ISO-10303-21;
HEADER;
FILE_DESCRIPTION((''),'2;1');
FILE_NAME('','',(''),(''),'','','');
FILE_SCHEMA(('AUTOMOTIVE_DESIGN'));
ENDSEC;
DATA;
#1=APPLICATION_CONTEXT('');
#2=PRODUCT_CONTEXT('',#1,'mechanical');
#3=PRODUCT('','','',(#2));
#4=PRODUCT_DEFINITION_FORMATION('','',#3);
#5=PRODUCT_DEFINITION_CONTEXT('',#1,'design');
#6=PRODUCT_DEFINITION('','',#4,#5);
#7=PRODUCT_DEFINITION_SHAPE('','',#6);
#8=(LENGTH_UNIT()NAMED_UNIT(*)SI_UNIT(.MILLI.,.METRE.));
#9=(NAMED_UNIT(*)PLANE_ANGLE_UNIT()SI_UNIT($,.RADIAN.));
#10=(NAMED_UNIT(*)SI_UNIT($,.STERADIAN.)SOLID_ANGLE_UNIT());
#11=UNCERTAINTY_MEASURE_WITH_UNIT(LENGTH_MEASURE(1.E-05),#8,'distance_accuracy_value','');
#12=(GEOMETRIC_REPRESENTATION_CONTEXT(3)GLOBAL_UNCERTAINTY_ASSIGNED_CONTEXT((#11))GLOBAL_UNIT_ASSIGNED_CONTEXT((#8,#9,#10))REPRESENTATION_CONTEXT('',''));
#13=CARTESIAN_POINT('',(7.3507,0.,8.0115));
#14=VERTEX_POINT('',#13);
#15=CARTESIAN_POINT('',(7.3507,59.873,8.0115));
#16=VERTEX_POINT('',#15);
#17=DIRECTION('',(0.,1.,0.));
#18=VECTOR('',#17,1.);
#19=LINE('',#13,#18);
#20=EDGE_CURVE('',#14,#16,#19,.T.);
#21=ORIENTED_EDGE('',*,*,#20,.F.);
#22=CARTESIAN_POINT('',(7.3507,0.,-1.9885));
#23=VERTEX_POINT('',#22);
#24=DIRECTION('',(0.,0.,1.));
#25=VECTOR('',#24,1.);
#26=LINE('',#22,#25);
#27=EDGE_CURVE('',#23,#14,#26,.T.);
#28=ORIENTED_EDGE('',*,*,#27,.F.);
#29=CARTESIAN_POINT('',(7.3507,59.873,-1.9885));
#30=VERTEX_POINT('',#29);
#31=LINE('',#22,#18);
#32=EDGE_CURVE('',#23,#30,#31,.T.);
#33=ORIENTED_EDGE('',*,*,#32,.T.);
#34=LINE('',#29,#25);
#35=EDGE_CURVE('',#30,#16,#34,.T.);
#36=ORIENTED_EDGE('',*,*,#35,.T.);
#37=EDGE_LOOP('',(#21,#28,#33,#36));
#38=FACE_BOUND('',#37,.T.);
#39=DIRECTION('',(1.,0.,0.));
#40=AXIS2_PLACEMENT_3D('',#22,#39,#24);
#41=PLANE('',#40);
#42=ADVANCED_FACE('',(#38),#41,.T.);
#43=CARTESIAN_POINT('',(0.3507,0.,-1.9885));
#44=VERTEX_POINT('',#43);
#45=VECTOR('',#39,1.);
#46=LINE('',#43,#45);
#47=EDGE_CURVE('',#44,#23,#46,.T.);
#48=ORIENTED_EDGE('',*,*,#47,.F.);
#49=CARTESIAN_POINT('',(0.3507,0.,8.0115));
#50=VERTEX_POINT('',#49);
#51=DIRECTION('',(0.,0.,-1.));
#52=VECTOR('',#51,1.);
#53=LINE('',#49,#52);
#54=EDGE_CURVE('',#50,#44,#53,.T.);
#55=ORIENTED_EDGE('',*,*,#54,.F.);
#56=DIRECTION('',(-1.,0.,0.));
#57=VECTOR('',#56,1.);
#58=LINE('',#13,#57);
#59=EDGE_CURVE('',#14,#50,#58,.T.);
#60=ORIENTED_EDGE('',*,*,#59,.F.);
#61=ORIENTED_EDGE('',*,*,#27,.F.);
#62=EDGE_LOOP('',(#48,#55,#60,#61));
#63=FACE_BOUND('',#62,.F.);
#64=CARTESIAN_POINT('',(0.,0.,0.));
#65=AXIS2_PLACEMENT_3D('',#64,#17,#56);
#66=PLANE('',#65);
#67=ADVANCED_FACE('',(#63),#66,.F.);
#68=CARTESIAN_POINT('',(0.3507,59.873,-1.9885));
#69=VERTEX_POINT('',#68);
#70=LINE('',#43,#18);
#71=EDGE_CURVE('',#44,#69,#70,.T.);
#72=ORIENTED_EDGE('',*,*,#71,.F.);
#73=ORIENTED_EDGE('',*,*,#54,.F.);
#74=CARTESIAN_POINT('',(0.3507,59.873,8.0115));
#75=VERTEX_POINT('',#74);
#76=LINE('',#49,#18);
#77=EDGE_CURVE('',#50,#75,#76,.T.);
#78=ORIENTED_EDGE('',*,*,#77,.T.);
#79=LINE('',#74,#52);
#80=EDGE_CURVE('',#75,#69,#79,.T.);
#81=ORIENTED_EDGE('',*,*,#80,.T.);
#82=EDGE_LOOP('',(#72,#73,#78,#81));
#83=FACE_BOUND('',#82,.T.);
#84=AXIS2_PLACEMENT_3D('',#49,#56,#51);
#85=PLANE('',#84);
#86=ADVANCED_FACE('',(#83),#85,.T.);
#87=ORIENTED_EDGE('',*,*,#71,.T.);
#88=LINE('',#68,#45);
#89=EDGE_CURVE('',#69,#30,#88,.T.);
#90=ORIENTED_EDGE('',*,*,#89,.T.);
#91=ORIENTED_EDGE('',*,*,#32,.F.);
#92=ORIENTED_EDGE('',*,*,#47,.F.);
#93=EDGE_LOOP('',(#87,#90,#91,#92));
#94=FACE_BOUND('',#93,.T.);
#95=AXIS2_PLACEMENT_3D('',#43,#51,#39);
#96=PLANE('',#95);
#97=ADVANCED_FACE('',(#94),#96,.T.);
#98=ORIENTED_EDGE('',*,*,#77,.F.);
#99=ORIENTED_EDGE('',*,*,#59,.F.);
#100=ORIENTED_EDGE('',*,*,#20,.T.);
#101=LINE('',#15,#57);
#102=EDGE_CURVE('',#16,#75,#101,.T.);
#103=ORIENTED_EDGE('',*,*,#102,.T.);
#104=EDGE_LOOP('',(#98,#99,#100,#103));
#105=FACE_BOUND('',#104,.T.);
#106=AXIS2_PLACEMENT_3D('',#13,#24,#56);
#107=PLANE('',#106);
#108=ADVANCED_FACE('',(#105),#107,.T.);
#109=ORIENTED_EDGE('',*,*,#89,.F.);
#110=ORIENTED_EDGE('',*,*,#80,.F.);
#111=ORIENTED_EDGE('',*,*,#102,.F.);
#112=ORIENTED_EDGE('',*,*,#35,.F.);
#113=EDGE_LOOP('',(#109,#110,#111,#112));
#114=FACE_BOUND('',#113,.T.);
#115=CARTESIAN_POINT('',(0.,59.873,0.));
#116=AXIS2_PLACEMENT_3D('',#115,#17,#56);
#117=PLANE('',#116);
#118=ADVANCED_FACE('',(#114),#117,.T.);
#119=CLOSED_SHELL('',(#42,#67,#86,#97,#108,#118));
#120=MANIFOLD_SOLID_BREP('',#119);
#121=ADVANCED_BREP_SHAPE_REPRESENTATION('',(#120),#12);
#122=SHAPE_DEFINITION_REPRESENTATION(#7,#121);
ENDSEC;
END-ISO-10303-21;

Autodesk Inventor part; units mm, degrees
ref_plane "YZ Plane" through (0, 0, 0) normal (1, 0, 0) x (0, 1, 0)
ref_plane "XZ Plane" through (0, 0, 0) normal (0, 1, 0) x (-1, 0, 0)
ref_plane "XY Plane" through (0, 0, 0) normal (0, 0, 1) x (1, 0, 0)
sketch "Sketch2" plane through (0, 0, 0) normal (0, 1, 0) x (-1, 0, 0)
  line L0 (-0.3507, -1.9885) -> (-7.3507, -1.9885)
  line L1 (-7.3507, -1.9885) -> (-7.3507, 8.0115)
  line L2 (-7.3507, 8.0115) -> (-0.3507, 8.0115)
  line L3 (-0.3507, 8.0115) -> (-0.3507, -1.9885)
  point P0 (0, 0)
  dimension "d2" = 7
  dimension "d3" = 10
extrude "Extrusion1" add sketch "Sketch2" along normal blind 59.873
properties part number "left stem"
